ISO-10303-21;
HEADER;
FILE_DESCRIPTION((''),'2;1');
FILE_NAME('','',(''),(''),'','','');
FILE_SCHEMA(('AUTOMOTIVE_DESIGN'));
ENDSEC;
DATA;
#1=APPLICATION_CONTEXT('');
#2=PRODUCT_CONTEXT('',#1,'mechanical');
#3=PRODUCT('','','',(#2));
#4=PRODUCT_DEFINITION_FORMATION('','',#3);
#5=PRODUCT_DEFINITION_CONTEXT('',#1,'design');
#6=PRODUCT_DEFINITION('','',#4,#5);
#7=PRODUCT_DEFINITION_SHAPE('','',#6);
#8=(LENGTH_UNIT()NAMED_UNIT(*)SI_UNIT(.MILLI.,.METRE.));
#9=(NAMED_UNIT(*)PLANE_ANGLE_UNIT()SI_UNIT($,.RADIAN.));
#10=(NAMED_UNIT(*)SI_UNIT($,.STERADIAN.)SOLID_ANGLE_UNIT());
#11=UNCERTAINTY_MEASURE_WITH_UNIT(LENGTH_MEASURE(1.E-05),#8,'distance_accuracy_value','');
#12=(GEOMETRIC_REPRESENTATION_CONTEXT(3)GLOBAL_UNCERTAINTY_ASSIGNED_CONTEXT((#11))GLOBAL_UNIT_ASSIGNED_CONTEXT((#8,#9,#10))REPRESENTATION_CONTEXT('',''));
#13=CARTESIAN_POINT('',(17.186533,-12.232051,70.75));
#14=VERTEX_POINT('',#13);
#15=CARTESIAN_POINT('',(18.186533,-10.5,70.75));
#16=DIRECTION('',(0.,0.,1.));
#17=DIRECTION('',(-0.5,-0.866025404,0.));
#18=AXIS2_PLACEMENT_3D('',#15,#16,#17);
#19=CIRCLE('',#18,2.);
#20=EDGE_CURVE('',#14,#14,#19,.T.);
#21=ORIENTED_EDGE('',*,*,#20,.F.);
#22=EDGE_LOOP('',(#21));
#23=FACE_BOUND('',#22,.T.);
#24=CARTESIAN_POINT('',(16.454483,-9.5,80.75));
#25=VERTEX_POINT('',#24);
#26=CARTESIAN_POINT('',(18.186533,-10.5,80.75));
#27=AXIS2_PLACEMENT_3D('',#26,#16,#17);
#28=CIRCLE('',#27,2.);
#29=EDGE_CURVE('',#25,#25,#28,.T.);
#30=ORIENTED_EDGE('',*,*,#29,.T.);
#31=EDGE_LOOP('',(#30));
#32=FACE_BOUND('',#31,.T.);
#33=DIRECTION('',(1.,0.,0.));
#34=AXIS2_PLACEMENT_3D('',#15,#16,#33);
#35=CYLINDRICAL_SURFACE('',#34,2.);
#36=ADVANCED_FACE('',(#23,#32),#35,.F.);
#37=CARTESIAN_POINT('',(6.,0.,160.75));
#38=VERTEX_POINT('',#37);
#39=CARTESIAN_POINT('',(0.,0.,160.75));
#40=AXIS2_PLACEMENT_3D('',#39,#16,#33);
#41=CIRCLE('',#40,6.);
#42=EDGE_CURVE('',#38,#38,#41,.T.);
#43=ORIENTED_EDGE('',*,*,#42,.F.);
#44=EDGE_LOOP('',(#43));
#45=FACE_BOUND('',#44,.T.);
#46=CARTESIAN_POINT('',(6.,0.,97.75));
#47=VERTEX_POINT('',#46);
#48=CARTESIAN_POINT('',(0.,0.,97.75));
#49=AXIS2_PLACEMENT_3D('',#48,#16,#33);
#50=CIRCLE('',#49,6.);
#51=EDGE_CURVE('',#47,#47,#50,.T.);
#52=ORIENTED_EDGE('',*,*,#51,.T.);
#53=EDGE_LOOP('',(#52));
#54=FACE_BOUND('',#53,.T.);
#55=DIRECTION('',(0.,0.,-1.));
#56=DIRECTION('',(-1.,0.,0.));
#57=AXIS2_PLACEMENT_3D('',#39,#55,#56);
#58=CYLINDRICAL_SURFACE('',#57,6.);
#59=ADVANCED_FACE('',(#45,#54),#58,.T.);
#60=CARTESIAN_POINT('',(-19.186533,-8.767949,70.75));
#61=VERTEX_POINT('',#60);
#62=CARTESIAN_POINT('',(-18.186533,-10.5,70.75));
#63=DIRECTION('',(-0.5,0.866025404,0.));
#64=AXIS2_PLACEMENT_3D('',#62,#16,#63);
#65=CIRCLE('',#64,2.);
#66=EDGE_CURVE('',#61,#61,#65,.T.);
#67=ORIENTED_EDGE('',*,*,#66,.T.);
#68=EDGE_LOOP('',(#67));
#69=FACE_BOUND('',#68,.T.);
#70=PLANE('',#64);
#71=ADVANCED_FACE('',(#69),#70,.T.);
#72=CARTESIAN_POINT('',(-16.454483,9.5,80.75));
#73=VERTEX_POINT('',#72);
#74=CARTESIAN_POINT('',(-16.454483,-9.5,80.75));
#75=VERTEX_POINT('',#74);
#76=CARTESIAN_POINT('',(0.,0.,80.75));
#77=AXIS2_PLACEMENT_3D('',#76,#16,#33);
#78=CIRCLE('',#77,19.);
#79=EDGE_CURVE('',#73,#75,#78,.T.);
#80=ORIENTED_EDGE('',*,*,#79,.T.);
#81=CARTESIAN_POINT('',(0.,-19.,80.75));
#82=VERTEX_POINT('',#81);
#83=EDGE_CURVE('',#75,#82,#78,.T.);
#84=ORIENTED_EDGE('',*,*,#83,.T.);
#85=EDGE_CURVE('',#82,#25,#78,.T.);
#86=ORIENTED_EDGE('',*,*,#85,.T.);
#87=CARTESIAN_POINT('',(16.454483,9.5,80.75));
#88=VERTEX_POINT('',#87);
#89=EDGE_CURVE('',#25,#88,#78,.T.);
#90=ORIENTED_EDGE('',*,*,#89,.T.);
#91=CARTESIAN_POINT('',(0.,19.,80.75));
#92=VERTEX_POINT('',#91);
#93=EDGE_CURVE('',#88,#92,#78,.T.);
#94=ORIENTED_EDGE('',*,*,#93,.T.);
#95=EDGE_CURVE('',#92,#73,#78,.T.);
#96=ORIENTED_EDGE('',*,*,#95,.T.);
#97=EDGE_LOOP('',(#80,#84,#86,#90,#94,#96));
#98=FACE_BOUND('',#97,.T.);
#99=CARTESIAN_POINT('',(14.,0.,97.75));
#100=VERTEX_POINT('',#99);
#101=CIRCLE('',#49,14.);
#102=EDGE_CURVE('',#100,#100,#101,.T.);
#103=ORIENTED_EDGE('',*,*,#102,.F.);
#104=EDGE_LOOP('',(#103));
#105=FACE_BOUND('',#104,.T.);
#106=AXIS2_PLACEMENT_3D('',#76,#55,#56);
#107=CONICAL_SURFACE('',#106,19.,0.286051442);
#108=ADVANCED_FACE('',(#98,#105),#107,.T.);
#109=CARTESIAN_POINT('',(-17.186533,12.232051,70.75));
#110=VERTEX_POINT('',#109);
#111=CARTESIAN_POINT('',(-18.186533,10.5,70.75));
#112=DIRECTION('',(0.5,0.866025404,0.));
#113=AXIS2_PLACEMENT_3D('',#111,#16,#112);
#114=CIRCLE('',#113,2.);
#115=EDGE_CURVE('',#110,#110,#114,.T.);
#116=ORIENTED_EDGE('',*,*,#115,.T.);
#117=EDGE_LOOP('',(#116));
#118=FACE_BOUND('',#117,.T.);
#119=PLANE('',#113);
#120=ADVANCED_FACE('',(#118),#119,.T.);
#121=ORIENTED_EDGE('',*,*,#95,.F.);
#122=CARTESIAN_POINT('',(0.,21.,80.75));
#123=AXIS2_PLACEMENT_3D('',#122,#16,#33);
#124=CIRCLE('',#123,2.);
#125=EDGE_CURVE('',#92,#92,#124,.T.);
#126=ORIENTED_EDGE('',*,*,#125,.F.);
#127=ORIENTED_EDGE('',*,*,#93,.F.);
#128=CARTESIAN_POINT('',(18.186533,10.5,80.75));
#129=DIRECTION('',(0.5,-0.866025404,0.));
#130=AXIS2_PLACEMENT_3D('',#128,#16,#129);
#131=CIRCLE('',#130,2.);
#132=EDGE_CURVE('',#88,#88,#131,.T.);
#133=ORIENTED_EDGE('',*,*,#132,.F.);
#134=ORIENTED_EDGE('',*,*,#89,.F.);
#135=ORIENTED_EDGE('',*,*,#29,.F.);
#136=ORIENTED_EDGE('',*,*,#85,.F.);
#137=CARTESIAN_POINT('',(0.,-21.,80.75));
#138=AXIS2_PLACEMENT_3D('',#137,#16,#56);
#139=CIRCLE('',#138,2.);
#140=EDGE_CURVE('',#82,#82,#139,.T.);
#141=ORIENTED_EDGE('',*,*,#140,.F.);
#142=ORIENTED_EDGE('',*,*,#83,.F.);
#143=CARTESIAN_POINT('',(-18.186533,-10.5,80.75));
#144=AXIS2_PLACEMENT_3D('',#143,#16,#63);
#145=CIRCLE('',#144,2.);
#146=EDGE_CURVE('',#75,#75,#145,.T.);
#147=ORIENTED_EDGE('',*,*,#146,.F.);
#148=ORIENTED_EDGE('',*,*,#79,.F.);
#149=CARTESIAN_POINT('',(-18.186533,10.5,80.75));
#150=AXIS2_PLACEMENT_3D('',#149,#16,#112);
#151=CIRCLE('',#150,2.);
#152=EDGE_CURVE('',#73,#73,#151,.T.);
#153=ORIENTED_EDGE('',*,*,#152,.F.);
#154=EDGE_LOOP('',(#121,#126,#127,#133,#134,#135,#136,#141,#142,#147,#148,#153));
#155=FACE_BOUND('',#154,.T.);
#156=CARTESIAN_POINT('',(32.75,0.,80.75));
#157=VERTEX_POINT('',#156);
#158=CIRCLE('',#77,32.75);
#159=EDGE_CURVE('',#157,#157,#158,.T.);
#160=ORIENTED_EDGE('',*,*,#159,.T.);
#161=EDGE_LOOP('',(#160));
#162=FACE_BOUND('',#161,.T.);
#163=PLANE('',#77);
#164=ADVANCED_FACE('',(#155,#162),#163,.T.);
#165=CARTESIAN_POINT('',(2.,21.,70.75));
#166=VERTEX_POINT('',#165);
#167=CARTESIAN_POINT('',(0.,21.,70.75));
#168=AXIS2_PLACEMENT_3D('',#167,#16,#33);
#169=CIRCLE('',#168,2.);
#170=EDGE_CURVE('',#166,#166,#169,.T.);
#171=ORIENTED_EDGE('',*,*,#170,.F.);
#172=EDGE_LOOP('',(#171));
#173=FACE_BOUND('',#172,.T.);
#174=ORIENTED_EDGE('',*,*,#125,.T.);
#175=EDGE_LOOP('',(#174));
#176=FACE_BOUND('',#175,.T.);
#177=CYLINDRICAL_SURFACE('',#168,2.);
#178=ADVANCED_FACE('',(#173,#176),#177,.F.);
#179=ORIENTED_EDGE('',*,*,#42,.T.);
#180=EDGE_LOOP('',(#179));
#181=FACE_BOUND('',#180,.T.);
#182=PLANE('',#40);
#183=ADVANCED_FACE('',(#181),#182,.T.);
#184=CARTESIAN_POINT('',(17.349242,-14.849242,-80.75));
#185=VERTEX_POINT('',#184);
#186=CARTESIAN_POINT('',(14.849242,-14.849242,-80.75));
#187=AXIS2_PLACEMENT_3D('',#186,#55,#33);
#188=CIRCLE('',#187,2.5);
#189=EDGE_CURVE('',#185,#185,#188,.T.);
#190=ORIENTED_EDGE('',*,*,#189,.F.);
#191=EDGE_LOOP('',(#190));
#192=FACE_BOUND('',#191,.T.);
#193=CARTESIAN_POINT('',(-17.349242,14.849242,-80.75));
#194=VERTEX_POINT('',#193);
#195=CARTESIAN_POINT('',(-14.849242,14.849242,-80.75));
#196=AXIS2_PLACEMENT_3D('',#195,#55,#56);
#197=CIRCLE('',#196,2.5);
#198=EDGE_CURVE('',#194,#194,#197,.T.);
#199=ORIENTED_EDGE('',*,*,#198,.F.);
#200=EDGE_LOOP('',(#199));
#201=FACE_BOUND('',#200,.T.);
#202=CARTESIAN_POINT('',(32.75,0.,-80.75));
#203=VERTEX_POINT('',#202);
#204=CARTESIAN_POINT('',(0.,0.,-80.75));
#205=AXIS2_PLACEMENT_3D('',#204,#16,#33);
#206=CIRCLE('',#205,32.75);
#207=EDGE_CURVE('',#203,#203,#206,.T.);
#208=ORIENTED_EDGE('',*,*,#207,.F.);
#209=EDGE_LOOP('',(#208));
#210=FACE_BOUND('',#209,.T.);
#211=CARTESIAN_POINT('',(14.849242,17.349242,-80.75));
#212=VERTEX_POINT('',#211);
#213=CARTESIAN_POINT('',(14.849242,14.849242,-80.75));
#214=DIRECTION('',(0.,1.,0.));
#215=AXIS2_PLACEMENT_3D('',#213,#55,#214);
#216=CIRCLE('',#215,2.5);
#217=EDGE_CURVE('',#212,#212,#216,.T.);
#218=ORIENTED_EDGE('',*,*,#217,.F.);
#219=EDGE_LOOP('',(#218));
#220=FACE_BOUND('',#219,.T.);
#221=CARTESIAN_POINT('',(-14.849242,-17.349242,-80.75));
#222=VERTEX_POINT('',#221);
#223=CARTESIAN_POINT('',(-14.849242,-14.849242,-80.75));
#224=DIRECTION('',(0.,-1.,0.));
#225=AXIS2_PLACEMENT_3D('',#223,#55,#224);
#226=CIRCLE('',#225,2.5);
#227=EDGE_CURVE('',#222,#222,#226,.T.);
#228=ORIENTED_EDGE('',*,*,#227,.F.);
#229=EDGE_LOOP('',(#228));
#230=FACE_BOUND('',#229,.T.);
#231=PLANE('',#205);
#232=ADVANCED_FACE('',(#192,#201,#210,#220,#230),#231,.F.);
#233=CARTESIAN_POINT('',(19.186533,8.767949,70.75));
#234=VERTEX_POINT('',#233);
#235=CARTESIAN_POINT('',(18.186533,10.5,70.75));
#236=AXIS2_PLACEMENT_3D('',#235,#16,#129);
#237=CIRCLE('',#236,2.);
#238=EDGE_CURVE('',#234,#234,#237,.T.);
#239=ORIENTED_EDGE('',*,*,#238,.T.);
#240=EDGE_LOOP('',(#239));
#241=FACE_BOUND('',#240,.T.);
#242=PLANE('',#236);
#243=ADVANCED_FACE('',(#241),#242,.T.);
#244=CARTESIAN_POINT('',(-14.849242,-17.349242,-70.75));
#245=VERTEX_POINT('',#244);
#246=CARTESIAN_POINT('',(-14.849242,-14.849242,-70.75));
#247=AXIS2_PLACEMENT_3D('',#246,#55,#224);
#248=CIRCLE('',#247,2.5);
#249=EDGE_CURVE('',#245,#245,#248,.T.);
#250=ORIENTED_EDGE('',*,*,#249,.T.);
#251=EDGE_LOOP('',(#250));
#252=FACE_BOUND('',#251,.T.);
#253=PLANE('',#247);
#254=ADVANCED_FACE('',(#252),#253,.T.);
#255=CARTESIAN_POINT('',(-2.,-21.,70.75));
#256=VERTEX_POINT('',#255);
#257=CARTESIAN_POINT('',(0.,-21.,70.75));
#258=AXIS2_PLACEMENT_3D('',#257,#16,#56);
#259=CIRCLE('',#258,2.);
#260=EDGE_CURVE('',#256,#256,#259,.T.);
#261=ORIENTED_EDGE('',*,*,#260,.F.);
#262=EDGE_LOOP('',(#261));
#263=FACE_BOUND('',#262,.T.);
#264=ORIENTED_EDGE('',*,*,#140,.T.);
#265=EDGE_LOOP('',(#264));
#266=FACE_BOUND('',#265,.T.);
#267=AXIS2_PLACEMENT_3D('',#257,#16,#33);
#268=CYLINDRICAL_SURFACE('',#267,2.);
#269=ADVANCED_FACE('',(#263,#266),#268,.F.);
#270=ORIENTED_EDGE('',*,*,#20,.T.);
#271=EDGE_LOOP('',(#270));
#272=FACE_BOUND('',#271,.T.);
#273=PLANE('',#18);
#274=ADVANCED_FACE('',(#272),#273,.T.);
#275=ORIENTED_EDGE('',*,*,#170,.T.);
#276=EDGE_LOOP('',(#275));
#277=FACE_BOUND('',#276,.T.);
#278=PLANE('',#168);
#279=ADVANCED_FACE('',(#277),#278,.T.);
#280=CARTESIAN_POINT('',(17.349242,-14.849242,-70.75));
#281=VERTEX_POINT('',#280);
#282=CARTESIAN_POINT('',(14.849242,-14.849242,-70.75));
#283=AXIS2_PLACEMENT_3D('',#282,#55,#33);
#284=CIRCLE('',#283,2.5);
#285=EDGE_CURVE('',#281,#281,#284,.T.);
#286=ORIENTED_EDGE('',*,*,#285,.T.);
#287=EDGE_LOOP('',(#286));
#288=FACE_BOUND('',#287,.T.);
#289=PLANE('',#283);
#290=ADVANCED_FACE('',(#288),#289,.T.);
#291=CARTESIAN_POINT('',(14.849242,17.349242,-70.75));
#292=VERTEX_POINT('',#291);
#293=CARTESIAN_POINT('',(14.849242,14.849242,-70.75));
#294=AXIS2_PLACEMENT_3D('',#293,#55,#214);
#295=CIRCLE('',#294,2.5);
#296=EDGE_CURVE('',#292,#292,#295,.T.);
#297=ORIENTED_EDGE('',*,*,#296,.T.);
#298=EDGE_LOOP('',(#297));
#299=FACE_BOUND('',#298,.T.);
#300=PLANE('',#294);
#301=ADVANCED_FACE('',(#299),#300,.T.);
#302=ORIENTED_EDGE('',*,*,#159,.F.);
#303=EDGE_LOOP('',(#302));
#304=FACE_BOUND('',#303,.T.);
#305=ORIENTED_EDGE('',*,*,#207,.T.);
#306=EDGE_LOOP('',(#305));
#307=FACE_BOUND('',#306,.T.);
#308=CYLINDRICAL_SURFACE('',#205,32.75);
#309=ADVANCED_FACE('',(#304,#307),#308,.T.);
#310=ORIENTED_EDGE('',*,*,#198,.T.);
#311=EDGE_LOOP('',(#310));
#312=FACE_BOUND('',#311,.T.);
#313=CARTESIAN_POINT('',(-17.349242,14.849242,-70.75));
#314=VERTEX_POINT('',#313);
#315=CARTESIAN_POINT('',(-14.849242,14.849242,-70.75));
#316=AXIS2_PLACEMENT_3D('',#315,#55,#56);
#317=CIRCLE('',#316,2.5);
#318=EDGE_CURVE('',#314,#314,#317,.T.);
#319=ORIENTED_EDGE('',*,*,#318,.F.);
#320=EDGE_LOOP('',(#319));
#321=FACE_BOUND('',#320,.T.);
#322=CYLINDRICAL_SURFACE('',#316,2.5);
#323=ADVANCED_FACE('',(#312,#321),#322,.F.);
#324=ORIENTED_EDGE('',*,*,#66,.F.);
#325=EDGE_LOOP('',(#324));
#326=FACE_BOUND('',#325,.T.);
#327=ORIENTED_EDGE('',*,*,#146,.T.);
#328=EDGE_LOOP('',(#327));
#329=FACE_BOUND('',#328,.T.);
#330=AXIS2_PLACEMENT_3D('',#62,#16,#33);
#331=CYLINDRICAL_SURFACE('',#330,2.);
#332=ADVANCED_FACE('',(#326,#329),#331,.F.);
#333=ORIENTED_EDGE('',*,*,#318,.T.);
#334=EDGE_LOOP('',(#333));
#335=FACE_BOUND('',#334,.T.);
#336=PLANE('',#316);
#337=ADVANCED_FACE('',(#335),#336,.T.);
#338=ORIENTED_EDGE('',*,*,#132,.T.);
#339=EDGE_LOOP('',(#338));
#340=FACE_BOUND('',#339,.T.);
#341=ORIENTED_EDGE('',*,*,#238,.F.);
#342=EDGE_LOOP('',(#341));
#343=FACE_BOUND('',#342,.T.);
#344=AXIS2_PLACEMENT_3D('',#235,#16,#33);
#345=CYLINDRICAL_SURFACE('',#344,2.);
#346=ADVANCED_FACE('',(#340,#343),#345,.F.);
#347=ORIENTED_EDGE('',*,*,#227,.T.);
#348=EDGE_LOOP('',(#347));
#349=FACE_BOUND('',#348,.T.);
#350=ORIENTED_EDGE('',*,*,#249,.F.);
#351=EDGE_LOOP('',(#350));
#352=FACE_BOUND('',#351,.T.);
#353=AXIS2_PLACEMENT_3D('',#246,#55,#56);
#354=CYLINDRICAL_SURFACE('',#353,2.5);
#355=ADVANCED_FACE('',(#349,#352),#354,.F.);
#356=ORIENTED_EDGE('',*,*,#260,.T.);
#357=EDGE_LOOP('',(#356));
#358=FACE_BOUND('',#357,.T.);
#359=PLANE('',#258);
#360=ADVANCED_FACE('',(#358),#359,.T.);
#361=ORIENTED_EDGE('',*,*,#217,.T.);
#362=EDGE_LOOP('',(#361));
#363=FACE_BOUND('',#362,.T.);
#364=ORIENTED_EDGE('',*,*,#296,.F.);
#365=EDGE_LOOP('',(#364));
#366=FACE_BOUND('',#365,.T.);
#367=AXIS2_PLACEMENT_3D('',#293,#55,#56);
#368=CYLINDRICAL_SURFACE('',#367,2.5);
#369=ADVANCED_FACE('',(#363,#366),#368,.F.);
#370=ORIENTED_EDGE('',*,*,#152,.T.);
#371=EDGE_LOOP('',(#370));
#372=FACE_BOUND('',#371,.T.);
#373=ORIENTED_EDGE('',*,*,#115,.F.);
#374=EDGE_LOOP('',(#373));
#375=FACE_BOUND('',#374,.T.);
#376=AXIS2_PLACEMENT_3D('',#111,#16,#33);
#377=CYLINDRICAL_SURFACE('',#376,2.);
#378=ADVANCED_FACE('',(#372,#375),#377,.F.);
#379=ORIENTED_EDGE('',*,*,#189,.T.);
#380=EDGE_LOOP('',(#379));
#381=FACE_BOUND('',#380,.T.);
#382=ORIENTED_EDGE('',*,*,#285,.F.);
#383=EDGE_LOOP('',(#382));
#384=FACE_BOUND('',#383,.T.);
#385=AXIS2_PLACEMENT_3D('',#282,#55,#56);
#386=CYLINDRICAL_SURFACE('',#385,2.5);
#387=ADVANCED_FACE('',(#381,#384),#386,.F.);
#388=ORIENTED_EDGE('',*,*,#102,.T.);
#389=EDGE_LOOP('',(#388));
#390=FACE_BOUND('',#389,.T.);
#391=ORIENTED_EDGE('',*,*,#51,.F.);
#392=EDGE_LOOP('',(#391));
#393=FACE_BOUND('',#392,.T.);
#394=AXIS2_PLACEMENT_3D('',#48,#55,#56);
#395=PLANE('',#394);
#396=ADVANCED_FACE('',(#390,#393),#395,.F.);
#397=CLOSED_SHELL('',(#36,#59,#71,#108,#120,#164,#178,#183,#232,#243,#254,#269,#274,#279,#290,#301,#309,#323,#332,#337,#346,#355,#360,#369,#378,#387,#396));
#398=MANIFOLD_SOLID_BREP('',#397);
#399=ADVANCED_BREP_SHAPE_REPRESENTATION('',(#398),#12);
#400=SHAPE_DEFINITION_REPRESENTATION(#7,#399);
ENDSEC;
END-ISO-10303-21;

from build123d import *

# Parameters (mm, degrees)
SKETCH1_R           = 32.75
BOSS_EXTRUDE1_DEPTH = 80.75
SKETCH12_R          = 6
BOSS_EXTRUDE5_DEPTH = 63
SKETCH13_R          = 2
CUT_EXTRUDE1_DEPTH  = 10
CIRPATTERN1_COUNT   = 6
SKETCH14_R          = 2.5
CUT_EXTRUDE2_DEPTH  = 10
CIRPATTERN2_COUNT   = 4


with BuildPart() as part:
    # Sketch1 → Boss-Extrude1 (new body, symmetric)
    with BuildSketch(Plane.XY):
        Circle(SKETCH1_R)
    extrude(amount=BOSS_EXTRUDE1_DEPTH, both=True)

    # Sketch10 → Revolve1 (revolve)
    with BuildSketch(Plane(origin=(0, 0, 0), x_dir=(0, 0, -1), z_dir=(1, 0, 0))):
        Polygon((-97.75, 0), (-97.75, 14), (-80.75, 19), (-80.75, 0), align=None)
    revolve(axis=Axis((0, 0, 1000), (0, 0, -1)))

    # Sketch12 → Boss-Extrude5 (add)
    with BuildSketch(Plane.XY.offset(97.75)):
        Circle(SKETCH12_R)
    extrude(amount=BOSS_EXTRUDE5_DEPTH)

    # Sketch13 → Cut-Extrude1 (cut)
    with BuildSketch(Plane.XY.offset(80.75)):
        with Locations((0, 21)):
            Circle(SKETCH13_R)
    cut_extrude1 = extrude(amount=-CUT_EXTRUDE1_DEPTH, mode=Mode.SUBTRACT)

    # CirPattern1: Cut-Extrude1 ×6 about axis
    cirpattern1_axis = Axis((0, 0, 0), (0, 0, 1))
    for i in range(1, CIRPATTERN1_COUNT):
        add(cut_extrude1.rotate(cirpattern1_axis, i * 360 / CIRPATTERN1_COUNT), mode=Mode.SUBTRACT)

    # Sketch14 → Cut-Extrude2 (cut)
    with BuildSketch(Plane(origin=(0, 0, -80.75), x_dir=(-1, 0, 0), z_dir=(0, 0, -1))):
        with Locations((14.849242405, 14.849242405)):
            Circle(SKETCH14_R)
    cut_extrude2 = extrude(amount=-CUT_EXTRUDE2_DEPTH, mode=Mode.SUBTRACT)

    # CirPattern2: Cut-Extrude2 ×4 about axis
    cirpattern2_axis = Axis((0, 0, 0), (0, 0, 1))
    for i in range(1, CIRPATTERN2_COUNT):
        add(cut_extrude2.rotate(cirpattern2_axis, i * 360 / CIRPATTERN2_COUNT), mode=Mode.SUBTRACT)


solid = part.part
